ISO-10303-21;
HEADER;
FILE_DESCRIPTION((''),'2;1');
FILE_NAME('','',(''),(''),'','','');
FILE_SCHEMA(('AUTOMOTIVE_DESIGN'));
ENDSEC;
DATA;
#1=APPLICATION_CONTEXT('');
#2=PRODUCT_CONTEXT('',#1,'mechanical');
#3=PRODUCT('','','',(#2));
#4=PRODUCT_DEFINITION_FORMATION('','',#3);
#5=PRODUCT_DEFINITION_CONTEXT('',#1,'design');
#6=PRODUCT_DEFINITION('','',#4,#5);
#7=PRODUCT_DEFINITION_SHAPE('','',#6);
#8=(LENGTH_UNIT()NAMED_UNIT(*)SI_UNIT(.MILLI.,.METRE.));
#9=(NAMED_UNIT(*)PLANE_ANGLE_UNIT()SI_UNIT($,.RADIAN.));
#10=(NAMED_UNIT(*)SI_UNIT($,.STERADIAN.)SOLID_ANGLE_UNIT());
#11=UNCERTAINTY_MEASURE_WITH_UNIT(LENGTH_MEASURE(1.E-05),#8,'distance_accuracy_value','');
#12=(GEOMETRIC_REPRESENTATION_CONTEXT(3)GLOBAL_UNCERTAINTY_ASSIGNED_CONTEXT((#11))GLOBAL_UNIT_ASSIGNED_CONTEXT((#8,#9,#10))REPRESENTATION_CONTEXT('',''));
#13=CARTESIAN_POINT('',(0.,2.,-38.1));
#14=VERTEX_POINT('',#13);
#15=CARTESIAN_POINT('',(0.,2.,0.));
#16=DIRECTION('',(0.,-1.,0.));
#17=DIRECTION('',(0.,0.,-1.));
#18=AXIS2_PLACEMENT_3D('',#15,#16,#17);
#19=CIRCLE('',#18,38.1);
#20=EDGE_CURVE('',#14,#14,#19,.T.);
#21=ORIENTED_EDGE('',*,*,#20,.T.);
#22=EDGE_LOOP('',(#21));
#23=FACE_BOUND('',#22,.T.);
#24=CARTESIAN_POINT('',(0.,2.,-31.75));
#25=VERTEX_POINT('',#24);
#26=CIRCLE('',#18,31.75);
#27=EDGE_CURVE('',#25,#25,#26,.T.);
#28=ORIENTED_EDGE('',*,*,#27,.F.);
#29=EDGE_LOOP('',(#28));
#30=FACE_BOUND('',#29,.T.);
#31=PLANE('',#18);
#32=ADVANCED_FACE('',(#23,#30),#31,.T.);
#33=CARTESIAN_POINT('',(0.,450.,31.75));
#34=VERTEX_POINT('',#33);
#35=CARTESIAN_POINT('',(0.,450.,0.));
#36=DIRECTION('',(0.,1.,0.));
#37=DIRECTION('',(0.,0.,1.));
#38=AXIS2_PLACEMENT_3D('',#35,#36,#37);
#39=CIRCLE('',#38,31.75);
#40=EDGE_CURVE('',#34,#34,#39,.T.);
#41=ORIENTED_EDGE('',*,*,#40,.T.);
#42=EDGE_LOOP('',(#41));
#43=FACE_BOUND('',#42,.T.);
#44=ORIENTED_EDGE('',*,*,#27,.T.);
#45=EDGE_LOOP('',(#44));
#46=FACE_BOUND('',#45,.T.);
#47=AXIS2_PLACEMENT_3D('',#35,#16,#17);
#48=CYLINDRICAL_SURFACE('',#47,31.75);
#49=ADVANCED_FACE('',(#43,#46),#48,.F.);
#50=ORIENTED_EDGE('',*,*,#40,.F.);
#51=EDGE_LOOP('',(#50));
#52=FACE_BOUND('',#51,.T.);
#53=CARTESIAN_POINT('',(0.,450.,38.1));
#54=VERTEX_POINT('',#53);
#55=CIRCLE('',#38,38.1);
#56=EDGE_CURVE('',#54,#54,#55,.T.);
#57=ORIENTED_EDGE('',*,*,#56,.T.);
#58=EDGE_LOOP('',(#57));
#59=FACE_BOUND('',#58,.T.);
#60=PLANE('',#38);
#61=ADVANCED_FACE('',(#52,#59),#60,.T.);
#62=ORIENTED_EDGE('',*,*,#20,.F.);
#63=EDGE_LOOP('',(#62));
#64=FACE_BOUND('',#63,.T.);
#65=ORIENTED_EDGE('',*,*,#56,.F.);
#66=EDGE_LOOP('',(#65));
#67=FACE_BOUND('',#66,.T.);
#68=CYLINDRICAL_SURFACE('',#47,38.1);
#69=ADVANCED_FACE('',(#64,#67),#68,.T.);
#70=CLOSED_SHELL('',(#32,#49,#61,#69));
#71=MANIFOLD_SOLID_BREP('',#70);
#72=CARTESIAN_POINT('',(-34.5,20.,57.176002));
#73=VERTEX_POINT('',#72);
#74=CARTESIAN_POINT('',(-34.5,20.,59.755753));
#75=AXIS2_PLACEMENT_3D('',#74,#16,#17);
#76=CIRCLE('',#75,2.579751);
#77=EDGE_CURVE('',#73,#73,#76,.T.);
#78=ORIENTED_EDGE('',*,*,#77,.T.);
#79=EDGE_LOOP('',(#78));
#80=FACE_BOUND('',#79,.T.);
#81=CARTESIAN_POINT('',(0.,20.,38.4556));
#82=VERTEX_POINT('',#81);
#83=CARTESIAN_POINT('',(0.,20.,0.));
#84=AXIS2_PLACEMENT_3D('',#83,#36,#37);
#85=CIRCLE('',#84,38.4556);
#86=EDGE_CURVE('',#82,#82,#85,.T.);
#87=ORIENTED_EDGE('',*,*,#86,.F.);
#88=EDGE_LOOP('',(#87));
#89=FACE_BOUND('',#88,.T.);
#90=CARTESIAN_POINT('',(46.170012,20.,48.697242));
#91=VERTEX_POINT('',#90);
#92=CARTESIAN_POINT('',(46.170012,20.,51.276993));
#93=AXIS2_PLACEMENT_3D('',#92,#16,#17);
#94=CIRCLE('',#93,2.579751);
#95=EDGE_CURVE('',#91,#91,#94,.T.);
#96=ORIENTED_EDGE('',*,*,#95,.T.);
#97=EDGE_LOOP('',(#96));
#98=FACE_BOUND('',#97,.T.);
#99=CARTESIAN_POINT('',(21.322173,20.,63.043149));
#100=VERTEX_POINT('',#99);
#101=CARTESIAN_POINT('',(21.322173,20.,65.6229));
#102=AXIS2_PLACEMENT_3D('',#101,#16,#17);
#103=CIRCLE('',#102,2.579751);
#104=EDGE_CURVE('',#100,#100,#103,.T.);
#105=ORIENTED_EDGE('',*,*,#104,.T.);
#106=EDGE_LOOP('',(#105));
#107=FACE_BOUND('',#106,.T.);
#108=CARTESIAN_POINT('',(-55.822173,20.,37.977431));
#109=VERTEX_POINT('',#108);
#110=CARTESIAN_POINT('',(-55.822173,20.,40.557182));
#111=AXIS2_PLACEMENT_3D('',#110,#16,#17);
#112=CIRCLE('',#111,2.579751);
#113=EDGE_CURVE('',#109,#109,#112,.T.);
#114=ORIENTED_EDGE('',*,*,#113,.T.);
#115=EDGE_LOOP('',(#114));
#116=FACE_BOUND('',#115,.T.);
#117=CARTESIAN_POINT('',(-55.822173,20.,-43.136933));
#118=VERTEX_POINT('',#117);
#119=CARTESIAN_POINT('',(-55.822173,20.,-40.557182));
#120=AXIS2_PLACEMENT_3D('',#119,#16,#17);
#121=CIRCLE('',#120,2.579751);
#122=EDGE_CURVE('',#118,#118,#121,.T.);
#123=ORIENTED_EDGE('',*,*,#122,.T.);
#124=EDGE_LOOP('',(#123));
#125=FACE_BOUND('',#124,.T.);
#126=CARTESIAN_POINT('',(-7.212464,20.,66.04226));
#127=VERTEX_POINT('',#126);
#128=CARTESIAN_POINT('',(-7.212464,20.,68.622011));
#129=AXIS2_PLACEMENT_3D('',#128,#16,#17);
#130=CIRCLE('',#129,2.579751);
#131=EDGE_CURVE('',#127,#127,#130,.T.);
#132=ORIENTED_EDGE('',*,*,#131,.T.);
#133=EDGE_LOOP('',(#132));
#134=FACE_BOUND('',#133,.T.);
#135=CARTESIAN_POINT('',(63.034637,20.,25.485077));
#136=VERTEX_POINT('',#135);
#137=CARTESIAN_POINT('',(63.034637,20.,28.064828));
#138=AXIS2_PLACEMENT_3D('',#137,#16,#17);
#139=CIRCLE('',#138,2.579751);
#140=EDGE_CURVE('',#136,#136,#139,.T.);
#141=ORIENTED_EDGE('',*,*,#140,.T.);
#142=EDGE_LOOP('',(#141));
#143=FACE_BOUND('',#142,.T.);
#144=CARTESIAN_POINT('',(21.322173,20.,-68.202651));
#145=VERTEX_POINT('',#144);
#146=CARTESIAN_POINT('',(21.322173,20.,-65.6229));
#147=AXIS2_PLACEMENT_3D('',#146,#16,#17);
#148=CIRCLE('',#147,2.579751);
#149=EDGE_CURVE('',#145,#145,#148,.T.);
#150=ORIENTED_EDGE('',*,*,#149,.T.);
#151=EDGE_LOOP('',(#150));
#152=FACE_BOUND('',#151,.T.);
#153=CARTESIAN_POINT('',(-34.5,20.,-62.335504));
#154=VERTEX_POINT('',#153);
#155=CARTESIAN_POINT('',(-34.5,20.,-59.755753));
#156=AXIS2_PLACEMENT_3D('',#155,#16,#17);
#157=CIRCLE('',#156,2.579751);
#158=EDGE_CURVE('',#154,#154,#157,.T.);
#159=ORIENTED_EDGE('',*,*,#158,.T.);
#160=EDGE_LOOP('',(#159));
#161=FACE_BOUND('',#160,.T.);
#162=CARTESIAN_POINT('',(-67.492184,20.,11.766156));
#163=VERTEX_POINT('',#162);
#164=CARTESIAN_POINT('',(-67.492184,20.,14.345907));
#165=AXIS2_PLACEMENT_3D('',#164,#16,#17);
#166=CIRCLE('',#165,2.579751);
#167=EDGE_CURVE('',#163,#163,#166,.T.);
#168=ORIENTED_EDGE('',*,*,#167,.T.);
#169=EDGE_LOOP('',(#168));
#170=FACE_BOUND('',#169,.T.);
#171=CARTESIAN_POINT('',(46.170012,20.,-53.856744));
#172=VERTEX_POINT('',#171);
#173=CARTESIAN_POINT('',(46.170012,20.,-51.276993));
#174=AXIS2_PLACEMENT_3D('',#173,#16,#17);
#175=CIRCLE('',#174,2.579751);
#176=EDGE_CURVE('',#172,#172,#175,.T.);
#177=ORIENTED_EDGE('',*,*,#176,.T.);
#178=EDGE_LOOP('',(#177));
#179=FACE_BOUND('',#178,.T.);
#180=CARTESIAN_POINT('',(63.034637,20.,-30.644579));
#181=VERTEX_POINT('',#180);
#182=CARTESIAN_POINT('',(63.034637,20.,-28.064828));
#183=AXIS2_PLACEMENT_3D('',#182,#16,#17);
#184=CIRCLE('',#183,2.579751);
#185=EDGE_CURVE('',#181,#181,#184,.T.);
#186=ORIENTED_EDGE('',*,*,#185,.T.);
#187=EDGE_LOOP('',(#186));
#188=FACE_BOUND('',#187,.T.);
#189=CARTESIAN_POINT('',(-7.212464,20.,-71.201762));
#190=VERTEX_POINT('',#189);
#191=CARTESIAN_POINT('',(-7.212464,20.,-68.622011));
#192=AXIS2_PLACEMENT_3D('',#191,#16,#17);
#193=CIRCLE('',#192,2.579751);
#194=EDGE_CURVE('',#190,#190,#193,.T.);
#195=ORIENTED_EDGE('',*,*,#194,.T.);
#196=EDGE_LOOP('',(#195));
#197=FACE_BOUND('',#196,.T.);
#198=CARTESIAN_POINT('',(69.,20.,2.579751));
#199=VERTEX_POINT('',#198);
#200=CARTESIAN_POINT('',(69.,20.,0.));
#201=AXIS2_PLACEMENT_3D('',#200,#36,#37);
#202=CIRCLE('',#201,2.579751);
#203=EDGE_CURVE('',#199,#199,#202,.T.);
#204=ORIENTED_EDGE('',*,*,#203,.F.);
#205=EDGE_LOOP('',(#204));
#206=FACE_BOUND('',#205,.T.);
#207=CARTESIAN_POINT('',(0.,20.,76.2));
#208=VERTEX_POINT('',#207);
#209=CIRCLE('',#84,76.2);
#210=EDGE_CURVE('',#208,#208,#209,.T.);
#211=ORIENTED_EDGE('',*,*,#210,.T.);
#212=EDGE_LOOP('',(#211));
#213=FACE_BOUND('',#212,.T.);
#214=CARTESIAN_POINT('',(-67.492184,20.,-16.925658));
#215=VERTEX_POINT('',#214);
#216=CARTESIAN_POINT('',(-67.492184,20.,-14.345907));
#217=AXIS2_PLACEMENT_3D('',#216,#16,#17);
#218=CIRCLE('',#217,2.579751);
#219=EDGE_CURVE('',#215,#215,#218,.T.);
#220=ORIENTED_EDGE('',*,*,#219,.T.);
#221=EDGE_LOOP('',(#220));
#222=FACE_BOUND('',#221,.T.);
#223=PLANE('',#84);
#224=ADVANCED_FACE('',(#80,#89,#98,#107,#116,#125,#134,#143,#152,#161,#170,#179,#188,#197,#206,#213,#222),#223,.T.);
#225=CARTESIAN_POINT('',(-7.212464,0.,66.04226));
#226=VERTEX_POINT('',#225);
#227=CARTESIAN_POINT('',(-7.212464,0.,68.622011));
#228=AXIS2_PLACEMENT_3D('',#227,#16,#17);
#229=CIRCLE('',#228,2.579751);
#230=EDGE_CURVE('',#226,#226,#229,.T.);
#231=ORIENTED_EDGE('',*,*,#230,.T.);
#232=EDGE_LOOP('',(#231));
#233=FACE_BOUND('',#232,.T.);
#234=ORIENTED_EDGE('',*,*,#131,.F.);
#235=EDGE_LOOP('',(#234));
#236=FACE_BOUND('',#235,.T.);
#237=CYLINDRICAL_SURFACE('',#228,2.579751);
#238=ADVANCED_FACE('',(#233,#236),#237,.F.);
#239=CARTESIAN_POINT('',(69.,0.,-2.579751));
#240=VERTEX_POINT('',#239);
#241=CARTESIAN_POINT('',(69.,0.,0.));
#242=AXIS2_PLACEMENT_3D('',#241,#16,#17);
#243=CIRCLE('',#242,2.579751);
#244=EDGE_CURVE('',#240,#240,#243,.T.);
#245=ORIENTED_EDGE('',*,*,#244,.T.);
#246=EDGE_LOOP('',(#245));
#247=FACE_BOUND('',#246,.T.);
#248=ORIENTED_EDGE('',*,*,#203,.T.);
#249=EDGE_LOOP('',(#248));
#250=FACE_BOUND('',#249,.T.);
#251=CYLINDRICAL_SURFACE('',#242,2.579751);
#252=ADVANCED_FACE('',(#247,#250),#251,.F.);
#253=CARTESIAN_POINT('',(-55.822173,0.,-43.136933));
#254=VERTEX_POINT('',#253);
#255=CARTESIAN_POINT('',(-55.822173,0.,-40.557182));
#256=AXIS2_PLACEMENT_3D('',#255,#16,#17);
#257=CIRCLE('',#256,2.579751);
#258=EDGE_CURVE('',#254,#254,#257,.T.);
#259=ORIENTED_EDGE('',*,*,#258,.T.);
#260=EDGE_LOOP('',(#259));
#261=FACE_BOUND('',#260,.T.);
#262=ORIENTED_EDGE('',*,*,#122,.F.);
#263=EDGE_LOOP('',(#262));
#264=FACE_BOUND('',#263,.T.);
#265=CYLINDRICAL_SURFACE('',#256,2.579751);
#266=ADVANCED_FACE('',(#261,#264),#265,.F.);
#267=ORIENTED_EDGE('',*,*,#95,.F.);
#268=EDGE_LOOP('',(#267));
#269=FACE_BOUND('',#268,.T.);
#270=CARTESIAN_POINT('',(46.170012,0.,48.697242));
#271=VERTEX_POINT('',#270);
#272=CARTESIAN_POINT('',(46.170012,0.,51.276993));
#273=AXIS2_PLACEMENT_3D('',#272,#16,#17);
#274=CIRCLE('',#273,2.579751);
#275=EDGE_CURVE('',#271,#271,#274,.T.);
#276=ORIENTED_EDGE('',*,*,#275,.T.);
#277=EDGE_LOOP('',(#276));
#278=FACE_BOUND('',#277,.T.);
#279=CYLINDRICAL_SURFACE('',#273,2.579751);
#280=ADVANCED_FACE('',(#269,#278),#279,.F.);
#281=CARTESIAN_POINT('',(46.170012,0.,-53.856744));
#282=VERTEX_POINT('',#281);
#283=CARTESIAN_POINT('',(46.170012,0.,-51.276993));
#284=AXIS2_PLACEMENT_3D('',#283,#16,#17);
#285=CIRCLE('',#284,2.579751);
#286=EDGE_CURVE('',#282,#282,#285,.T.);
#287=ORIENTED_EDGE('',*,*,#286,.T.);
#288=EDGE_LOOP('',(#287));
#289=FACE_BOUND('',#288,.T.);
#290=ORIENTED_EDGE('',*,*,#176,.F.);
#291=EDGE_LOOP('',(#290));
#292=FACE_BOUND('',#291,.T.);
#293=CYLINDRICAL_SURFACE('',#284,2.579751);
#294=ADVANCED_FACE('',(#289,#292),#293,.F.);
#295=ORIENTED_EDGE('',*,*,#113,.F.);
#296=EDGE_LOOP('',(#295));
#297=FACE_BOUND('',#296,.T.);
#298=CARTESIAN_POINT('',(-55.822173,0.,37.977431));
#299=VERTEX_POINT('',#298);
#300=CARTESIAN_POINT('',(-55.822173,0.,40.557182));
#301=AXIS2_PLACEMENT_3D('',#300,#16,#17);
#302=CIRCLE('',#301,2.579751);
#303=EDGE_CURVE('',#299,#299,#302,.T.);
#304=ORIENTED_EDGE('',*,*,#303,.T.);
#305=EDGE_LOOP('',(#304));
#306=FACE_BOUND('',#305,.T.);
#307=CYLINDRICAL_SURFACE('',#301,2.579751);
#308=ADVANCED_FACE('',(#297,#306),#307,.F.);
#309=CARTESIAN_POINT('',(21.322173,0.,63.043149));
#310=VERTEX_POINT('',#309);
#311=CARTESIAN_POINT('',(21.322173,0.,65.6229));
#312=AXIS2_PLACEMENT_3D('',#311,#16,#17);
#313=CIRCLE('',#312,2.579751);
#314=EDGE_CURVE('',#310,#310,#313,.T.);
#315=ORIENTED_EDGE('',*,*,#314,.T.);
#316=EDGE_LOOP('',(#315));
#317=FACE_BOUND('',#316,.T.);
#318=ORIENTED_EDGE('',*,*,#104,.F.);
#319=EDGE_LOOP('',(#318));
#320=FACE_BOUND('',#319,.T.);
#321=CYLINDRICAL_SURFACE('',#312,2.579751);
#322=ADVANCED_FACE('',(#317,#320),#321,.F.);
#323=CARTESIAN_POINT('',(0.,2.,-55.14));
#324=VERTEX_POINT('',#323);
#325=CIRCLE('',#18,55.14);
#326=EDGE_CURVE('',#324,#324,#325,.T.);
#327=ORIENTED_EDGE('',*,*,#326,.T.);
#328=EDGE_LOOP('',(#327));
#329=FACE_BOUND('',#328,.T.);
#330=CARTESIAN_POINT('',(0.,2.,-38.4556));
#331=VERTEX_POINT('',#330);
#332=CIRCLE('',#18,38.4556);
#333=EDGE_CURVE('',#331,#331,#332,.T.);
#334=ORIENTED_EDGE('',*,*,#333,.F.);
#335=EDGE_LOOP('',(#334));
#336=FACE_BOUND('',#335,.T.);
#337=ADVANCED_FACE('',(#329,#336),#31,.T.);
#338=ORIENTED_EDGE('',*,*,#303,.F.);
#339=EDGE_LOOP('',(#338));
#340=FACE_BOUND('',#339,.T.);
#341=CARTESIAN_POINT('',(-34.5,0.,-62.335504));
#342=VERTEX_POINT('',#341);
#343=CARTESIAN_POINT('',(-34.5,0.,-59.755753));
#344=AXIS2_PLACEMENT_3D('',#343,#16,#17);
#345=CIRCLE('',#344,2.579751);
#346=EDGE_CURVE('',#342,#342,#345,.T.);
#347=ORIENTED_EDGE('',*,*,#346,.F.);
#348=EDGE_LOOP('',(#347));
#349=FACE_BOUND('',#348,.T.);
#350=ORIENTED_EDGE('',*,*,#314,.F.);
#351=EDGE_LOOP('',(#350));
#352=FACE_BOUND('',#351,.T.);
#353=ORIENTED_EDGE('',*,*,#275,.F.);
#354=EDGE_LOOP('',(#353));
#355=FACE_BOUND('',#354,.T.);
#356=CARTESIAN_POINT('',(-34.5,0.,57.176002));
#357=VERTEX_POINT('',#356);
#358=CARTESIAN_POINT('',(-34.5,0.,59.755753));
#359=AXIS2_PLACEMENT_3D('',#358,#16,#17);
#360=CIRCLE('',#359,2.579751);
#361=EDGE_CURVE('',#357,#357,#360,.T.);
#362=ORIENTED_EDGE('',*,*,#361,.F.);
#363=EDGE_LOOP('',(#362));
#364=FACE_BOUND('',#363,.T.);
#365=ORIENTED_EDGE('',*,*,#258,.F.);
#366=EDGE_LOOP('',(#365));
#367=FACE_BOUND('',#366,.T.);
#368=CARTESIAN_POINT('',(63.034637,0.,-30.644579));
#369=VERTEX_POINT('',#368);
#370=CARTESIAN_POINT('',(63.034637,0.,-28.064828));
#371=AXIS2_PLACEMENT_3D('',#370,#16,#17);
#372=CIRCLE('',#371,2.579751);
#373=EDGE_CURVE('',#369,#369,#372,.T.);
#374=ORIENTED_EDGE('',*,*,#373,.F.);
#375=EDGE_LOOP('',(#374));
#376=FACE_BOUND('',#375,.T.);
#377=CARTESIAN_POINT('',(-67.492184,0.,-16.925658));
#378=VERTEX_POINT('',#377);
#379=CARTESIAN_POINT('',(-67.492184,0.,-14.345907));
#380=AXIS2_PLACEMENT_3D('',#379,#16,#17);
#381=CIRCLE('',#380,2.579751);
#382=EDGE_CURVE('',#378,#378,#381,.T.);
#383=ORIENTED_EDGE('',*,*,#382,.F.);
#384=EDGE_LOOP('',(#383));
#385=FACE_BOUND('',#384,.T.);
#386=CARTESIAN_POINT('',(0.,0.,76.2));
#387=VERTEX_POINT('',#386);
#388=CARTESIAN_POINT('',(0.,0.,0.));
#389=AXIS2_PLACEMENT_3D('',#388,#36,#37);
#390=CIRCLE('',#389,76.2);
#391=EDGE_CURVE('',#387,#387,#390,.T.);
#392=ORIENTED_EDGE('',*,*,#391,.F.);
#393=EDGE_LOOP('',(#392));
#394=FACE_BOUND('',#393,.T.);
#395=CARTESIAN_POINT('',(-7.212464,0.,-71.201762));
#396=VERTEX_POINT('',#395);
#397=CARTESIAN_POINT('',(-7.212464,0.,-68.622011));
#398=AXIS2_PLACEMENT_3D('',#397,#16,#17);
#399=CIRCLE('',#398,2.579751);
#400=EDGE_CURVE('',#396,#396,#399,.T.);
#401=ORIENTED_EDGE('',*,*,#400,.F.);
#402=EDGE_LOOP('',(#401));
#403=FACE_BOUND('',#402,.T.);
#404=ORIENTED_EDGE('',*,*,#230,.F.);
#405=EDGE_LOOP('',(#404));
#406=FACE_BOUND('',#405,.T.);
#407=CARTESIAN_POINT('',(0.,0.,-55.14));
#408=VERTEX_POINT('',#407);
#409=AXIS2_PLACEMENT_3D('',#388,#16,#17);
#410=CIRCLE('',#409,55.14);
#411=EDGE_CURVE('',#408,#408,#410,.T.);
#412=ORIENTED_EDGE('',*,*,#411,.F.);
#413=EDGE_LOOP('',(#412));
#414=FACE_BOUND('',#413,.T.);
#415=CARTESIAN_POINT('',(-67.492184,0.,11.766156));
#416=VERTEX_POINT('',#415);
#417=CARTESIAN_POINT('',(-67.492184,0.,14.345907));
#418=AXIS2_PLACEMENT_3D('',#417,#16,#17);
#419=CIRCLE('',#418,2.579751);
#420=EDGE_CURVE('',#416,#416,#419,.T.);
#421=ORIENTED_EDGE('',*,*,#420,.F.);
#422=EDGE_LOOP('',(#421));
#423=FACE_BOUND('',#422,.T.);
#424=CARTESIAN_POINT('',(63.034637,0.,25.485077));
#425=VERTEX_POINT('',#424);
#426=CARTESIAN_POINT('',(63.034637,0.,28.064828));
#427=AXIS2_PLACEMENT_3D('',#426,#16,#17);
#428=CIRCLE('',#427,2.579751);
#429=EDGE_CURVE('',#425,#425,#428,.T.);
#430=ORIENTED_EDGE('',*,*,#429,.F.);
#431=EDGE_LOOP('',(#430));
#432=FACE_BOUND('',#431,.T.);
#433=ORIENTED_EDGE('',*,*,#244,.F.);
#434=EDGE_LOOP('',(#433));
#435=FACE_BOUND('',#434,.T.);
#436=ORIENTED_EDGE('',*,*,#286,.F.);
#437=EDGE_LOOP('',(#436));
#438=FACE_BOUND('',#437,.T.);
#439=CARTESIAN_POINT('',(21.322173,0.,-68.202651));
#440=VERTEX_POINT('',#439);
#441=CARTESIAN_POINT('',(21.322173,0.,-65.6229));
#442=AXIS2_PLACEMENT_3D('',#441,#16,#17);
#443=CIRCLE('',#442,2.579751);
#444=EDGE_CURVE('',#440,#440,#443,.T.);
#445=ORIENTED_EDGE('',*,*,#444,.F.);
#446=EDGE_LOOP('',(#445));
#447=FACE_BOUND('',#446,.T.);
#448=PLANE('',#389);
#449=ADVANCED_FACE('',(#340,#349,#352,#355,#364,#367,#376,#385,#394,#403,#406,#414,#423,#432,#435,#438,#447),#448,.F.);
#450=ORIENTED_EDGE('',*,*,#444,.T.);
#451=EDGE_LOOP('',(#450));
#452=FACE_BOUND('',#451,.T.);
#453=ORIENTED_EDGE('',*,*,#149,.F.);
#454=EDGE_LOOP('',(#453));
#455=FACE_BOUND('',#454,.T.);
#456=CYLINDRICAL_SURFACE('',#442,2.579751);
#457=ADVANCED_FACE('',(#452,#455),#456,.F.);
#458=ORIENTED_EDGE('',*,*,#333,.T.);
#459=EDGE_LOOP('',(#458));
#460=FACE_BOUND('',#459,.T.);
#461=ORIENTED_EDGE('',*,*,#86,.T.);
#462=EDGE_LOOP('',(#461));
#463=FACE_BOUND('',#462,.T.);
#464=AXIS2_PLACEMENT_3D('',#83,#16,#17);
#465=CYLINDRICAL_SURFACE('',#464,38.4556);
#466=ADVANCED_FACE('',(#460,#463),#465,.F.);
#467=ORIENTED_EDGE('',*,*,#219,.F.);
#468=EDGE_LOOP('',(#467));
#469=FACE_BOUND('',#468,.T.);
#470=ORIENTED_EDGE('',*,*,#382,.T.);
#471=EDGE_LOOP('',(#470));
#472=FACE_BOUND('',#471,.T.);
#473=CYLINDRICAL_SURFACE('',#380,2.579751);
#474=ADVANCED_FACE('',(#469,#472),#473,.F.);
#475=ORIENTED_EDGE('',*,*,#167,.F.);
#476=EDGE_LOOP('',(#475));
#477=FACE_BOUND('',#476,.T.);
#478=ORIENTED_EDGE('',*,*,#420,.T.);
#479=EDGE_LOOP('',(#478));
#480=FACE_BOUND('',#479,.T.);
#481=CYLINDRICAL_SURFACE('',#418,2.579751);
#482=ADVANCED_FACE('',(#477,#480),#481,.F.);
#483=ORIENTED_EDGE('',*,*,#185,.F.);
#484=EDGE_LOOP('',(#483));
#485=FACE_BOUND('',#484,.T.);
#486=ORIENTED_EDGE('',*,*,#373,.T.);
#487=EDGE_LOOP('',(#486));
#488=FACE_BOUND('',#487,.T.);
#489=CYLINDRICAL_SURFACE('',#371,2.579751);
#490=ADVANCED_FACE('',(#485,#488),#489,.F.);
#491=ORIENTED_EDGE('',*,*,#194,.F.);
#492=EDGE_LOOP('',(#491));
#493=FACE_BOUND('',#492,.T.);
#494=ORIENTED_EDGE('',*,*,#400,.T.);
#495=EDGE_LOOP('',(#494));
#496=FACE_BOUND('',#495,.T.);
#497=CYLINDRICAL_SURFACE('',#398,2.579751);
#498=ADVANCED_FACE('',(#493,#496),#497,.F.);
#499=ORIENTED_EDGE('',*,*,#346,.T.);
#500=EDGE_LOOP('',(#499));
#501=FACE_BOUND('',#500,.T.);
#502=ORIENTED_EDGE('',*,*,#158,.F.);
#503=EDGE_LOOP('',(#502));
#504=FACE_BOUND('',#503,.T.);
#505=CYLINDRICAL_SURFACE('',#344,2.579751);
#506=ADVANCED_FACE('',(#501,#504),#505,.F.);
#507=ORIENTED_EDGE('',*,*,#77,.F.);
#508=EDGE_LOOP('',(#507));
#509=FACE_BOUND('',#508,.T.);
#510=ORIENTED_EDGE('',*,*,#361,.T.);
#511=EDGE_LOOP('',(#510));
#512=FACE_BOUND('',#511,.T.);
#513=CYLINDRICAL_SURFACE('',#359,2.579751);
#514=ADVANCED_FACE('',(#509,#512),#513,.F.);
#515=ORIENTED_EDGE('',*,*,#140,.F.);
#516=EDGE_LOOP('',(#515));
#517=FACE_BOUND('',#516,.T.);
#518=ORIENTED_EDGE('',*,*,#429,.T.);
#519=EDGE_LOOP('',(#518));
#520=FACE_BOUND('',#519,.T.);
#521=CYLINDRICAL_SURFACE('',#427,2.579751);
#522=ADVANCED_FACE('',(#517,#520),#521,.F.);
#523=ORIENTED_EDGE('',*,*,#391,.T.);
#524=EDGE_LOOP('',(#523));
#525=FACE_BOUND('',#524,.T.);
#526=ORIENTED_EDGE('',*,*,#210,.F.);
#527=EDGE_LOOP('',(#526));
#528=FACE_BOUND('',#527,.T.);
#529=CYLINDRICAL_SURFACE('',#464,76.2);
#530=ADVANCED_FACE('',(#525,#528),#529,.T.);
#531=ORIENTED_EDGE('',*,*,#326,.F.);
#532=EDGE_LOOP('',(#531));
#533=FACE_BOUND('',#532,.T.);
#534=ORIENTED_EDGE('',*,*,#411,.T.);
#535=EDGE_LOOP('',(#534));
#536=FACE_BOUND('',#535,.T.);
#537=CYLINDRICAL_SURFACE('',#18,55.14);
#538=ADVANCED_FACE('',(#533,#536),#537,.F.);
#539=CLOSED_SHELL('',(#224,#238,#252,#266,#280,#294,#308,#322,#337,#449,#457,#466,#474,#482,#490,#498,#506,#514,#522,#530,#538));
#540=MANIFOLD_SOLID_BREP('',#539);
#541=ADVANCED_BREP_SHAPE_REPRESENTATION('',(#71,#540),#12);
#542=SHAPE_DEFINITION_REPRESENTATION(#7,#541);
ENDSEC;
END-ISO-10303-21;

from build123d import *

# Parameters (mm, degrees)
SKETCH1_R           = 38.1
SKETCH1_R_2         = 31.75
BOSS_EXTRUDE1_DEPTH = 450
SKETCH2_R           = 76.2
SKETCH2_R_2         = 38.4556
BOSS_EXTRUDE2_DEPTH = 20
SKETCH5_W           = 2.579751
SKETCH5_H           = 450
CIRPATTERN1_COUNT   = 15
SKETCH6_R           = 55.14
CUT_EXTRUDE1_DEPTH  = 2


with BuildPart() as part:
    # Sketch1 → Boss-Extrude1 (new body)
    with BuildSketch(Plane(origin=(0, 0, 0), x_dir=(1, 0, 0), z_dir=(0, 1, 0))):
        Circle(SKETCH1_R)
        Circle(SKETCH1_R_2, mode=Mode.SUBTRACT)
    extrude(amount=BOSS_EXTRUDE1_DEPTH)


with BuildPart() as body_2:
    # Sketch2 → Boss-Extrude2 (new body)
    with BuildSketch(Plane(origin=(0, 0, 0), x_dir=(1, 0, 0), z_dir=(0, 1, 0))):
        Circle(SKETCH2_R)
        Circle(SKETCH2_R_2, mode=Mode.SUBTRACT)
    extrude(amount=BOSS_EXTRUDE2_DEPTH)

    # Sketch5 → 13/64 (0.20313) Diameter Hole1 (revolve, cut)
    with BuildSketch(Plane(origin=(69, 0, 0), x_dir=(0, 0, -1), z_dir=(1, 0, 0))):
        with Locations((1.2898755, 225)):
            Rectangle(SKETCH5_W, SKETCH5_H)
    f_13_64_0_20313_diameter_hole1 = revolve(axis=Axis((69, -6.35, 0), (0, 1, 0)), mode=Mode.SUBTRACT)

    # CirPattern1: 13/64 (0.20313) Diameter Hole1 ×15 about axis
    cirpattern1_axis = Axis((0, 472.5, 0), (0, -1, 0))
    for i in range(1, CIRPATTERN1_COUNT):
        add(f_13_64_0_20313_diameter_hole1.rotate(cirpattern1_axis, i * 360 / CIRPATTERN1_COUNT), mode=Mode.SUBTRACT)


with BuildPart() as cut_extrude1_tool:
    # Sketch6 → Cut-Extrude1 (new body)
    with BuildSketch(Plane.XZ):
        Circle(SKETCH6_R)
    extrude(amount=-CUT_EXTRUDE1_DEPTH)


with BuildPart() as part_1:
    add(part.part)

    # Cut-Extrude1: cut by cut_extrude1_tool
    add(cut_extrude1_tool.part, mode=Mode.SUBTRACT)


with BuildPart() as body_2_1:
    add(body_2.part)

    # Cut-Extrude1: cut by cut_extrude1_tool
    add(cut_extrude1_tool.part, mode=Mode.SUBTRACT)


solid = Compound([part_1.part, body_2_1.part])
